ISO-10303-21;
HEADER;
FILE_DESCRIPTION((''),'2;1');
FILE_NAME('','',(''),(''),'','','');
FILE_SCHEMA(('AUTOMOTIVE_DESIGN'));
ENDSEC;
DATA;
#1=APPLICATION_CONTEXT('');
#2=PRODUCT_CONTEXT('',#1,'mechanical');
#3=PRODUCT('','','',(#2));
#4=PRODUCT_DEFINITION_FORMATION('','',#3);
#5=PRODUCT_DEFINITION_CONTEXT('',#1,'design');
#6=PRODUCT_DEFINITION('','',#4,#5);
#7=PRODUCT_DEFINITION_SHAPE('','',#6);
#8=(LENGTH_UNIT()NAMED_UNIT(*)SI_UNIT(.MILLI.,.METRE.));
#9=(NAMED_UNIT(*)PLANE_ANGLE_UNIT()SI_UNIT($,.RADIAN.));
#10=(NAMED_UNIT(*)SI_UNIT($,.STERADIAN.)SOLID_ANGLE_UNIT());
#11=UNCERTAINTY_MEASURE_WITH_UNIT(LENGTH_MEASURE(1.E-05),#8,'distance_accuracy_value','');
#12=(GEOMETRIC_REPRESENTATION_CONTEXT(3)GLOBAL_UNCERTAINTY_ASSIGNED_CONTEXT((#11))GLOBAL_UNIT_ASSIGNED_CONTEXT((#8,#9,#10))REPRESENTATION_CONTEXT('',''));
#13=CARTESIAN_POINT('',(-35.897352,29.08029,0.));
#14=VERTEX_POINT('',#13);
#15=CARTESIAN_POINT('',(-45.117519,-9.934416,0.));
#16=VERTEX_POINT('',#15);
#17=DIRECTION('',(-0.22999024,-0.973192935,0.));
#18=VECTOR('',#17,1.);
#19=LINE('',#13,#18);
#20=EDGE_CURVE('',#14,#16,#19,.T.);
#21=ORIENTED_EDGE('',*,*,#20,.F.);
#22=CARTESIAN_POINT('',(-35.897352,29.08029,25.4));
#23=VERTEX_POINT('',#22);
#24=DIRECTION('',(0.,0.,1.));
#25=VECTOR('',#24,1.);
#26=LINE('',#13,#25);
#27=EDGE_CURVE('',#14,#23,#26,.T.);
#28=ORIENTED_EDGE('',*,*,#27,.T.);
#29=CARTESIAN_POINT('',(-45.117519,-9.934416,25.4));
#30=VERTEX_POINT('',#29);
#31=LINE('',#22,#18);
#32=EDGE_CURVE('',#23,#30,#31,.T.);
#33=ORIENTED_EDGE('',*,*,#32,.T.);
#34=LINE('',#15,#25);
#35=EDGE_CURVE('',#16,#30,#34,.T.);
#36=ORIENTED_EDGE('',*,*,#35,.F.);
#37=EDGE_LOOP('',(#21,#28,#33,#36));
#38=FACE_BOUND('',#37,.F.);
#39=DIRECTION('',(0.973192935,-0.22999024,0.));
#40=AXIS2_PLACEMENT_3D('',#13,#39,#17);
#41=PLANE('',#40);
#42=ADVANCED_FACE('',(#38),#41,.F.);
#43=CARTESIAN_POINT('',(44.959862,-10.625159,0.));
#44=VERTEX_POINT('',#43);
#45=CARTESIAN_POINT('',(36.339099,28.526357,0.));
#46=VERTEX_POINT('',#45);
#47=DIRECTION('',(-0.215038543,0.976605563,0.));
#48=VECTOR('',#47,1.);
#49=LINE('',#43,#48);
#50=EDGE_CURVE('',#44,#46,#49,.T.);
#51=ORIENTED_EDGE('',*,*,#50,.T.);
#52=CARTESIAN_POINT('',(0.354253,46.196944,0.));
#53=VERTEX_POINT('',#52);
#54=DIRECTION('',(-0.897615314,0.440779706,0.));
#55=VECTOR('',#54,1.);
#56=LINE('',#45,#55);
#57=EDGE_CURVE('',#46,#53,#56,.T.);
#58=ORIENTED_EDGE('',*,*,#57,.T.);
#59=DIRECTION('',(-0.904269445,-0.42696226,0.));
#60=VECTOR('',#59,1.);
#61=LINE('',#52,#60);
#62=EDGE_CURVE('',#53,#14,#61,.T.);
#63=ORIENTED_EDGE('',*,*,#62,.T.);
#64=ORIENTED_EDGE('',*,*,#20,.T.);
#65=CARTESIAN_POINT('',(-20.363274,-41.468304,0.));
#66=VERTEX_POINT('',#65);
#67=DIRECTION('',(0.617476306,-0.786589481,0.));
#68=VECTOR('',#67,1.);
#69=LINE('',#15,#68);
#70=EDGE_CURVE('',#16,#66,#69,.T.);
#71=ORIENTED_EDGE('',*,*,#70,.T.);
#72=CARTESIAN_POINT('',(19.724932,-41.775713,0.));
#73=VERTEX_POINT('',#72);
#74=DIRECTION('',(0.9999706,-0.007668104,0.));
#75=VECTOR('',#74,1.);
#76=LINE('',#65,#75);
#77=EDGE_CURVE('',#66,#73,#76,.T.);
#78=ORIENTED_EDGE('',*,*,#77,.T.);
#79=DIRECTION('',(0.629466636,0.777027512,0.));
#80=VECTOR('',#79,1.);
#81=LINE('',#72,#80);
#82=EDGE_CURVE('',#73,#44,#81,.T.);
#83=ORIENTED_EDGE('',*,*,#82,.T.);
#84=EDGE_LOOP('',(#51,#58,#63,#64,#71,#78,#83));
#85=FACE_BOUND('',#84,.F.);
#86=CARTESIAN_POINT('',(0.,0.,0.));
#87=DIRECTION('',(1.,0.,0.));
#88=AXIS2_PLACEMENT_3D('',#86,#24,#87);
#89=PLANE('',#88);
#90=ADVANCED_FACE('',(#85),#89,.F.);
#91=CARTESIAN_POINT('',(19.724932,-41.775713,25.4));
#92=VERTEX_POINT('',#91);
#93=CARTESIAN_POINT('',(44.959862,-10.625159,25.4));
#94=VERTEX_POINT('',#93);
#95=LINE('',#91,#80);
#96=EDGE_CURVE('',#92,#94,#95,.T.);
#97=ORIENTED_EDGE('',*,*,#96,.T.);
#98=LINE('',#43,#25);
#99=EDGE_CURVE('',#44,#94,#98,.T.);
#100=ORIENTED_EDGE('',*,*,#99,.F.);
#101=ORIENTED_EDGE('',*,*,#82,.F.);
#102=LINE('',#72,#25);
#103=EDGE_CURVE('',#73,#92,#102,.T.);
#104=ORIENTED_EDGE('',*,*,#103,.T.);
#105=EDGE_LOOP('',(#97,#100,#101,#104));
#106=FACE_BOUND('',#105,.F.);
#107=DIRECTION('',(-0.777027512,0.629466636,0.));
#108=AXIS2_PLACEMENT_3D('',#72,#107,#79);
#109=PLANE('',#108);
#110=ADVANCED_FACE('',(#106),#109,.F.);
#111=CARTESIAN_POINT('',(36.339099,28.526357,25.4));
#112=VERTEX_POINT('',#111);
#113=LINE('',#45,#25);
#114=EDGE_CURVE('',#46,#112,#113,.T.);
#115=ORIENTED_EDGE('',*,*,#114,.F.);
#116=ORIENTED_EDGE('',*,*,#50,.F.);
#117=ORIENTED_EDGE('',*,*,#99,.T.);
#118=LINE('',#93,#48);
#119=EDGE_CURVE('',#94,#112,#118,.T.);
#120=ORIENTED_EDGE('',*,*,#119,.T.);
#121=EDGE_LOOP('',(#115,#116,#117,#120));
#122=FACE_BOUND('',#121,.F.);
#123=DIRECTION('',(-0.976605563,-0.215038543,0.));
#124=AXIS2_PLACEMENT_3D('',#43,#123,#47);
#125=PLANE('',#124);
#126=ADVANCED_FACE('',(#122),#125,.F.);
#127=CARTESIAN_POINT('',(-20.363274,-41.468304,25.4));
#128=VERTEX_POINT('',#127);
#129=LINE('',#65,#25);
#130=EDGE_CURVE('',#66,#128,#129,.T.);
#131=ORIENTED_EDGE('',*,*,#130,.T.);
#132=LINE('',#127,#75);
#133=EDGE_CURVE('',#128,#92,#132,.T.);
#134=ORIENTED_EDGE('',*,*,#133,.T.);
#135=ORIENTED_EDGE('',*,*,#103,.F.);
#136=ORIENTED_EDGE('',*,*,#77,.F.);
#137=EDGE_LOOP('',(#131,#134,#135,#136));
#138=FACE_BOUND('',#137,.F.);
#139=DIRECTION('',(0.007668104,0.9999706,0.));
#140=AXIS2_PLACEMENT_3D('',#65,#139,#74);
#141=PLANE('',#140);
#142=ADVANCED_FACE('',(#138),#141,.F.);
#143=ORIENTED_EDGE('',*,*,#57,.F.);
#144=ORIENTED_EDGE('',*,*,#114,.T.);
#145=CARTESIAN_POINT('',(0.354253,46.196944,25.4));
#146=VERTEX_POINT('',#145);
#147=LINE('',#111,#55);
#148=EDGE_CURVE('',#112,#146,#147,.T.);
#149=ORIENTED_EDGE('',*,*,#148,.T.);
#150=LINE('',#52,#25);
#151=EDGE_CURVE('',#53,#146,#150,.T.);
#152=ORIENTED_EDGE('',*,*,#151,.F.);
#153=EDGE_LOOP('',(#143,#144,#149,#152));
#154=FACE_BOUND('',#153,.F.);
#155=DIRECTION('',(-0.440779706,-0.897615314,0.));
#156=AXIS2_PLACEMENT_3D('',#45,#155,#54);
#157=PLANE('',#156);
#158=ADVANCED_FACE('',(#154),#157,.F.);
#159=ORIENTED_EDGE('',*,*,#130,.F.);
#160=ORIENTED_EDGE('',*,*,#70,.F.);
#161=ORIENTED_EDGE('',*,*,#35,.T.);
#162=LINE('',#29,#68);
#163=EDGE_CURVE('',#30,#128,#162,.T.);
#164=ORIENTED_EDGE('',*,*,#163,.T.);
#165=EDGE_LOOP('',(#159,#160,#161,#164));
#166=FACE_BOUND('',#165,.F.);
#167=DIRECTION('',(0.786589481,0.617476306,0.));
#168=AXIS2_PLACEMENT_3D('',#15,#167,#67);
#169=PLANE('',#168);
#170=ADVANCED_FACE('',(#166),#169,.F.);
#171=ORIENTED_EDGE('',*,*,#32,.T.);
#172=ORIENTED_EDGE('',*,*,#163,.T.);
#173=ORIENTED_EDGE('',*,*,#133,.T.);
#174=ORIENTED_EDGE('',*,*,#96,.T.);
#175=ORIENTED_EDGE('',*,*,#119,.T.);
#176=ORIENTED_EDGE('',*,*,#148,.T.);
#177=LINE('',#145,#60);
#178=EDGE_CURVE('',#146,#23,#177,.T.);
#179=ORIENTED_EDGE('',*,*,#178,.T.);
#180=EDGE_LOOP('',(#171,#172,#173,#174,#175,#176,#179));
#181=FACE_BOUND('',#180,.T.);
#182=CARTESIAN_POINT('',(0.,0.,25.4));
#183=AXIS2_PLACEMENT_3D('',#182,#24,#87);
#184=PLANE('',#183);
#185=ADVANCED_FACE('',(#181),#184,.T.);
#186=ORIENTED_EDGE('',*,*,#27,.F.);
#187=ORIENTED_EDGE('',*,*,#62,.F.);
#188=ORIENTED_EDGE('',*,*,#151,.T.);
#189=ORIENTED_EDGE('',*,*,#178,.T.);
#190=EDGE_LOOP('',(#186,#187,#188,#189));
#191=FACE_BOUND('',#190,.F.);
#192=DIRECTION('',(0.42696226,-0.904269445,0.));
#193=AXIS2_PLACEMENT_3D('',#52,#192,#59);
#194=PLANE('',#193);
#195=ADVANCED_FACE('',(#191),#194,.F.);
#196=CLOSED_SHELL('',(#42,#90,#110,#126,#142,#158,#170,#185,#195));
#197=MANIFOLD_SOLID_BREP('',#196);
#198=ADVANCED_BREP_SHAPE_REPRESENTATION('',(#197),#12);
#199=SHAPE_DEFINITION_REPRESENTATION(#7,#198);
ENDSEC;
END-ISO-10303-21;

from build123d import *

# Parameters (mm, degrees)
F1_DEPTH = 25.4


with BuildPart() as f1:
    # F0 (on Top) → F1 (new body)
    with BuildSketch(Plane.XY):
        Polygon((19.7249316704, -41.7757134065), (44.9598616826, -10.6251587048), (36.3390988338, 28.5263572153), (0.3542533805, 46.1969443207), (-35.8973520937, 29.0802901066), (-45.1175192688, -9.9344156875), (-20.3632742049, -41.4683038438), align=None)
    extrude(amount=F1_DEPTH)

    # F1_face (on face) → F2 section 0
    with BuildSketch(Plane.XY.offset(25.4)):
        Polygon((19.7249316704, -41.7757134065), (44.9598616826, -10.6251587048), (36.3390988338, 28.5263572153), (0.3542533805, 46.1969443207), (-35.8973520937, 29.0802901066), (-45.1175192688, -9.9344156875), (-20.3632742049, -41.4683038438), align=None)
    # F1_face1 (on face) → F2 section 1
    with BuildSketch(Plane(origin=(0, 0, 0), x_dir=(1, 0, 0), z_dir=(0, 0, -1))):
        Polygon((44.9598616826, 10.6251587048), (19.7249316704, 41.7757134065), (-20.3632742049, 41.4683038438), (-45.1175192688, 9.9344156875), (-35.8973520937, -29.0802901066), (0.3542533805, -46.1969443207), (36.3390988338, -28.5263572153), align=None)
    loft()


solid = f1.part
